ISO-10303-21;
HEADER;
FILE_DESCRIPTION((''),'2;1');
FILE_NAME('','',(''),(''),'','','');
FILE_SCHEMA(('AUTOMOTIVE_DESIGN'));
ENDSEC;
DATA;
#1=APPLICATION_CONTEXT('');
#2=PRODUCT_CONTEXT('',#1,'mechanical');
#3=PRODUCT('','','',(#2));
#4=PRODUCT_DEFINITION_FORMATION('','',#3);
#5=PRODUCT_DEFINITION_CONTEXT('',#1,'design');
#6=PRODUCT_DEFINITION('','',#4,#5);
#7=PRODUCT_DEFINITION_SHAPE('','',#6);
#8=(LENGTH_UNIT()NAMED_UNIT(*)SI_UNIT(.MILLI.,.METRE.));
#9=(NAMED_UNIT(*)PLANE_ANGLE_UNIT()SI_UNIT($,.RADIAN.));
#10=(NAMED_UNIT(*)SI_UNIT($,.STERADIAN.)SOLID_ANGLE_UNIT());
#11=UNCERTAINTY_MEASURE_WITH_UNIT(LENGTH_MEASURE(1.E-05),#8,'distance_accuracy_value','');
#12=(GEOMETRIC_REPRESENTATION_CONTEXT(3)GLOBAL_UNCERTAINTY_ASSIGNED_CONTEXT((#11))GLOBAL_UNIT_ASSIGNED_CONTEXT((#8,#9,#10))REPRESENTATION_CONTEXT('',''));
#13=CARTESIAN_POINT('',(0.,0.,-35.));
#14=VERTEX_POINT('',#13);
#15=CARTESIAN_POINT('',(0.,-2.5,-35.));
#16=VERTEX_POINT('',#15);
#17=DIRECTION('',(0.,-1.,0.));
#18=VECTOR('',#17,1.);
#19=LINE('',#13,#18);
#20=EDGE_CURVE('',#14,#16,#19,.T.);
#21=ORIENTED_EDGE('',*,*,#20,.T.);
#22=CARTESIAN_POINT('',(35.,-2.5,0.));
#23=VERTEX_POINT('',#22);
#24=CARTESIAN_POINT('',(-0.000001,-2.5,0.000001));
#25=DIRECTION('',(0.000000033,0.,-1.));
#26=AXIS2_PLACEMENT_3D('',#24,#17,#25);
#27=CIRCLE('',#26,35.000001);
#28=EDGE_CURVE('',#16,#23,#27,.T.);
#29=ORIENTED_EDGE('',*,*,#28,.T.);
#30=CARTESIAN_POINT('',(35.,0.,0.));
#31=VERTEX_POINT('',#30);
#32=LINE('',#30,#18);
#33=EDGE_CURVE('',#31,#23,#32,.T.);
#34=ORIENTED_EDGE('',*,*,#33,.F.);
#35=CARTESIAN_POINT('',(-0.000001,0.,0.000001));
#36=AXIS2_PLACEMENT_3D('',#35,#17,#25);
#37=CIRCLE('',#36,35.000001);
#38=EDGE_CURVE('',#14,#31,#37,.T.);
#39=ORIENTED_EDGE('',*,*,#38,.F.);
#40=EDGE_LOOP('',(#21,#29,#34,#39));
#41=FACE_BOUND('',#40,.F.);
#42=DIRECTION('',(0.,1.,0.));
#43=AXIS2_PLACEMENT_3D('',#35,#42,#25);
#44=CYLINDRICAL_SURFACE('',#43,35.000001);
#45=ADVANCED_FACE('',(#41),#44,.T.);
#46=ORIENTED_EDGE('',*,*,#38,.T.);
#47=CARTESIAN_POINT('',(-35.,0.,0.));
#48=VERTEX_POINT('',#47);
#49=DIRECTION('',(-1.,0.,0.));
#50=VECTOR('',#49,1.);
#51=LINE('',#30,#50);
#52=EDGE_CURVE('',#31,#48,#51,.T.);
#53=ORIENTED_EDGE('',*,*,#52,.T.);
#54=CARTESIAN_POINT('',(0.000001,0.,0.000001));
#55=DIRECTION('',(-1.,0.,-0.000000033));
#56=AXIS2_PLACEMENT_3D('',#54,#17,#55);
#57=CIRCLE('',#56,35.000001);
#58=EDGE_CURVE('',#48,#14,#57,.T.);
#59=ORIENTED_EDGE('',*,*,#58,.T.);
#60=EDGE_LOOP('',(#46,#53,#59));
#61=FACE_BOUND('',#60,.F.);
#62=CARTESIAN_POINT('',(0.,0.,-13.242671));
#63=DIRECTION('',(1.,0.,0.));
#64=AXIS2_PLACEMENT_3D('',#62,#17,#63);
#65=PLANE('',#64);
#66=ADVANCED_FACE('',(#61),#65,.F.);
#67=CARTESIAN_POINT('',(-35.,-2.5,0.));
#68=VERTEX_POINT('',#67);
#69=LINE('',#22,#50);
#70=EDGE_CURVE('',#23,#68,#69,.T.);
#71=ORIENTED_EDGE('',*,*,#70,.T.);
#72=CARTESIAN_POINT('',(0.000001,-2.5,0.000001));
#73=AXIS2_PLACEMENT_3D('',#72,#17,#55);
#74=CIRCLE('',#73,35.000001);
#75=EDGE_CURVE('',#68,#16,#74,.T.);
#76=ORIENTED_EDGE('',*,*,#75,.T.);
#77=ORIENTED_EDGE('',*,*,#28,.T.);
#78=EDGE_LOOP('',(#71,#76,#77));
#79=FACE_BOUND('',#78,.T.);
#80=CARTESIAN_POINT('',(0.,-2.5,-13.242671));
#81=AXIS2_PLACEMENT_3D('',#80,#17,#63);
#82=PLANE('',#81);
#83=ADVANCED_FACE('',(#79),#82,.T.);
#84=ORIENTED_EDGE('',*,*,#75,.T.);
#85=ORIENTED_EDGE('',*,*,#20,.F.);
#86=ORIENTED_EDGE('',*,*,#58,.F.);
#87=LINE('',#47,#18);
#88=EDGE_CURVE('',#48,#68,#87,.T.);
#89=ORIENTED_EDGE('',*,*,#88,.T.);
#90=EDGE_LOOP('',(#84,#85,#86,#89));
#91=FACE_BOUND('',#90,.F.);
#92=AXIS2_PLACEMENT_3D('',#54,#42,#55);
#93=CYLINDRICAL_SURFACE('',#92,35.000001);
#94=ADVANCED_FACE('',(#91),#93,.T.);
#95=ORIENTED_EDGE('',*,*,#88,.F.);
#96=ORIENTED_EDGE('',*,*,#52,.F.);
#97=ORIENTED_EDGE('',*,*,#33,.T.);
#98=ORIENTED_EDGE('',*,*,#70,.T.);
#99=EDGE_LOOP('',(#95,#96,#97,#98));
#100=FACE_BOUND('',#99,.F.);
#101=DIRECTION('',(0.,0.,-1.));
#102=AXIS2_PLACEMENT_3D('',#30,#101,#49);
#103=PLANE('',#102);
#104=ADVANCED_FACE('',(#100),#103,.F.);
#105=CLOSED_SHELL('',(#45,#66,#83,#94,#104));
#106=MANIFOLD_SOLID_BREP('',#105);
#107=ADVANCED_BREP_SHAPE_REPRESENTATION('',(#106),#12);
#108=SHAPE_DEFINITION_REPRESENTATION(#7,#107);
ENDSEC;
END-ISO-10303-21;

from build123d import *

# Parameters (mm, degrees)
F1_DEPTH = 2.5


with BuildPart() as f1:
    # F0 (on Front) → F1 (new body)
    with BuildSketch(Plane.XZ):
        with BuildLine():
            Line((35, 0), (0, 0))
            Line((0, 0), (-35, 0))
            ThreePointArc((-35, 0), (-24.748737, -24.748737), (0, -35))
            ThreePointArc((0, -35), (24.748737, -24.748737), (35, 0))
        make_face()
    extrude(amount=F1_DEPTH)


solid = f1.part
